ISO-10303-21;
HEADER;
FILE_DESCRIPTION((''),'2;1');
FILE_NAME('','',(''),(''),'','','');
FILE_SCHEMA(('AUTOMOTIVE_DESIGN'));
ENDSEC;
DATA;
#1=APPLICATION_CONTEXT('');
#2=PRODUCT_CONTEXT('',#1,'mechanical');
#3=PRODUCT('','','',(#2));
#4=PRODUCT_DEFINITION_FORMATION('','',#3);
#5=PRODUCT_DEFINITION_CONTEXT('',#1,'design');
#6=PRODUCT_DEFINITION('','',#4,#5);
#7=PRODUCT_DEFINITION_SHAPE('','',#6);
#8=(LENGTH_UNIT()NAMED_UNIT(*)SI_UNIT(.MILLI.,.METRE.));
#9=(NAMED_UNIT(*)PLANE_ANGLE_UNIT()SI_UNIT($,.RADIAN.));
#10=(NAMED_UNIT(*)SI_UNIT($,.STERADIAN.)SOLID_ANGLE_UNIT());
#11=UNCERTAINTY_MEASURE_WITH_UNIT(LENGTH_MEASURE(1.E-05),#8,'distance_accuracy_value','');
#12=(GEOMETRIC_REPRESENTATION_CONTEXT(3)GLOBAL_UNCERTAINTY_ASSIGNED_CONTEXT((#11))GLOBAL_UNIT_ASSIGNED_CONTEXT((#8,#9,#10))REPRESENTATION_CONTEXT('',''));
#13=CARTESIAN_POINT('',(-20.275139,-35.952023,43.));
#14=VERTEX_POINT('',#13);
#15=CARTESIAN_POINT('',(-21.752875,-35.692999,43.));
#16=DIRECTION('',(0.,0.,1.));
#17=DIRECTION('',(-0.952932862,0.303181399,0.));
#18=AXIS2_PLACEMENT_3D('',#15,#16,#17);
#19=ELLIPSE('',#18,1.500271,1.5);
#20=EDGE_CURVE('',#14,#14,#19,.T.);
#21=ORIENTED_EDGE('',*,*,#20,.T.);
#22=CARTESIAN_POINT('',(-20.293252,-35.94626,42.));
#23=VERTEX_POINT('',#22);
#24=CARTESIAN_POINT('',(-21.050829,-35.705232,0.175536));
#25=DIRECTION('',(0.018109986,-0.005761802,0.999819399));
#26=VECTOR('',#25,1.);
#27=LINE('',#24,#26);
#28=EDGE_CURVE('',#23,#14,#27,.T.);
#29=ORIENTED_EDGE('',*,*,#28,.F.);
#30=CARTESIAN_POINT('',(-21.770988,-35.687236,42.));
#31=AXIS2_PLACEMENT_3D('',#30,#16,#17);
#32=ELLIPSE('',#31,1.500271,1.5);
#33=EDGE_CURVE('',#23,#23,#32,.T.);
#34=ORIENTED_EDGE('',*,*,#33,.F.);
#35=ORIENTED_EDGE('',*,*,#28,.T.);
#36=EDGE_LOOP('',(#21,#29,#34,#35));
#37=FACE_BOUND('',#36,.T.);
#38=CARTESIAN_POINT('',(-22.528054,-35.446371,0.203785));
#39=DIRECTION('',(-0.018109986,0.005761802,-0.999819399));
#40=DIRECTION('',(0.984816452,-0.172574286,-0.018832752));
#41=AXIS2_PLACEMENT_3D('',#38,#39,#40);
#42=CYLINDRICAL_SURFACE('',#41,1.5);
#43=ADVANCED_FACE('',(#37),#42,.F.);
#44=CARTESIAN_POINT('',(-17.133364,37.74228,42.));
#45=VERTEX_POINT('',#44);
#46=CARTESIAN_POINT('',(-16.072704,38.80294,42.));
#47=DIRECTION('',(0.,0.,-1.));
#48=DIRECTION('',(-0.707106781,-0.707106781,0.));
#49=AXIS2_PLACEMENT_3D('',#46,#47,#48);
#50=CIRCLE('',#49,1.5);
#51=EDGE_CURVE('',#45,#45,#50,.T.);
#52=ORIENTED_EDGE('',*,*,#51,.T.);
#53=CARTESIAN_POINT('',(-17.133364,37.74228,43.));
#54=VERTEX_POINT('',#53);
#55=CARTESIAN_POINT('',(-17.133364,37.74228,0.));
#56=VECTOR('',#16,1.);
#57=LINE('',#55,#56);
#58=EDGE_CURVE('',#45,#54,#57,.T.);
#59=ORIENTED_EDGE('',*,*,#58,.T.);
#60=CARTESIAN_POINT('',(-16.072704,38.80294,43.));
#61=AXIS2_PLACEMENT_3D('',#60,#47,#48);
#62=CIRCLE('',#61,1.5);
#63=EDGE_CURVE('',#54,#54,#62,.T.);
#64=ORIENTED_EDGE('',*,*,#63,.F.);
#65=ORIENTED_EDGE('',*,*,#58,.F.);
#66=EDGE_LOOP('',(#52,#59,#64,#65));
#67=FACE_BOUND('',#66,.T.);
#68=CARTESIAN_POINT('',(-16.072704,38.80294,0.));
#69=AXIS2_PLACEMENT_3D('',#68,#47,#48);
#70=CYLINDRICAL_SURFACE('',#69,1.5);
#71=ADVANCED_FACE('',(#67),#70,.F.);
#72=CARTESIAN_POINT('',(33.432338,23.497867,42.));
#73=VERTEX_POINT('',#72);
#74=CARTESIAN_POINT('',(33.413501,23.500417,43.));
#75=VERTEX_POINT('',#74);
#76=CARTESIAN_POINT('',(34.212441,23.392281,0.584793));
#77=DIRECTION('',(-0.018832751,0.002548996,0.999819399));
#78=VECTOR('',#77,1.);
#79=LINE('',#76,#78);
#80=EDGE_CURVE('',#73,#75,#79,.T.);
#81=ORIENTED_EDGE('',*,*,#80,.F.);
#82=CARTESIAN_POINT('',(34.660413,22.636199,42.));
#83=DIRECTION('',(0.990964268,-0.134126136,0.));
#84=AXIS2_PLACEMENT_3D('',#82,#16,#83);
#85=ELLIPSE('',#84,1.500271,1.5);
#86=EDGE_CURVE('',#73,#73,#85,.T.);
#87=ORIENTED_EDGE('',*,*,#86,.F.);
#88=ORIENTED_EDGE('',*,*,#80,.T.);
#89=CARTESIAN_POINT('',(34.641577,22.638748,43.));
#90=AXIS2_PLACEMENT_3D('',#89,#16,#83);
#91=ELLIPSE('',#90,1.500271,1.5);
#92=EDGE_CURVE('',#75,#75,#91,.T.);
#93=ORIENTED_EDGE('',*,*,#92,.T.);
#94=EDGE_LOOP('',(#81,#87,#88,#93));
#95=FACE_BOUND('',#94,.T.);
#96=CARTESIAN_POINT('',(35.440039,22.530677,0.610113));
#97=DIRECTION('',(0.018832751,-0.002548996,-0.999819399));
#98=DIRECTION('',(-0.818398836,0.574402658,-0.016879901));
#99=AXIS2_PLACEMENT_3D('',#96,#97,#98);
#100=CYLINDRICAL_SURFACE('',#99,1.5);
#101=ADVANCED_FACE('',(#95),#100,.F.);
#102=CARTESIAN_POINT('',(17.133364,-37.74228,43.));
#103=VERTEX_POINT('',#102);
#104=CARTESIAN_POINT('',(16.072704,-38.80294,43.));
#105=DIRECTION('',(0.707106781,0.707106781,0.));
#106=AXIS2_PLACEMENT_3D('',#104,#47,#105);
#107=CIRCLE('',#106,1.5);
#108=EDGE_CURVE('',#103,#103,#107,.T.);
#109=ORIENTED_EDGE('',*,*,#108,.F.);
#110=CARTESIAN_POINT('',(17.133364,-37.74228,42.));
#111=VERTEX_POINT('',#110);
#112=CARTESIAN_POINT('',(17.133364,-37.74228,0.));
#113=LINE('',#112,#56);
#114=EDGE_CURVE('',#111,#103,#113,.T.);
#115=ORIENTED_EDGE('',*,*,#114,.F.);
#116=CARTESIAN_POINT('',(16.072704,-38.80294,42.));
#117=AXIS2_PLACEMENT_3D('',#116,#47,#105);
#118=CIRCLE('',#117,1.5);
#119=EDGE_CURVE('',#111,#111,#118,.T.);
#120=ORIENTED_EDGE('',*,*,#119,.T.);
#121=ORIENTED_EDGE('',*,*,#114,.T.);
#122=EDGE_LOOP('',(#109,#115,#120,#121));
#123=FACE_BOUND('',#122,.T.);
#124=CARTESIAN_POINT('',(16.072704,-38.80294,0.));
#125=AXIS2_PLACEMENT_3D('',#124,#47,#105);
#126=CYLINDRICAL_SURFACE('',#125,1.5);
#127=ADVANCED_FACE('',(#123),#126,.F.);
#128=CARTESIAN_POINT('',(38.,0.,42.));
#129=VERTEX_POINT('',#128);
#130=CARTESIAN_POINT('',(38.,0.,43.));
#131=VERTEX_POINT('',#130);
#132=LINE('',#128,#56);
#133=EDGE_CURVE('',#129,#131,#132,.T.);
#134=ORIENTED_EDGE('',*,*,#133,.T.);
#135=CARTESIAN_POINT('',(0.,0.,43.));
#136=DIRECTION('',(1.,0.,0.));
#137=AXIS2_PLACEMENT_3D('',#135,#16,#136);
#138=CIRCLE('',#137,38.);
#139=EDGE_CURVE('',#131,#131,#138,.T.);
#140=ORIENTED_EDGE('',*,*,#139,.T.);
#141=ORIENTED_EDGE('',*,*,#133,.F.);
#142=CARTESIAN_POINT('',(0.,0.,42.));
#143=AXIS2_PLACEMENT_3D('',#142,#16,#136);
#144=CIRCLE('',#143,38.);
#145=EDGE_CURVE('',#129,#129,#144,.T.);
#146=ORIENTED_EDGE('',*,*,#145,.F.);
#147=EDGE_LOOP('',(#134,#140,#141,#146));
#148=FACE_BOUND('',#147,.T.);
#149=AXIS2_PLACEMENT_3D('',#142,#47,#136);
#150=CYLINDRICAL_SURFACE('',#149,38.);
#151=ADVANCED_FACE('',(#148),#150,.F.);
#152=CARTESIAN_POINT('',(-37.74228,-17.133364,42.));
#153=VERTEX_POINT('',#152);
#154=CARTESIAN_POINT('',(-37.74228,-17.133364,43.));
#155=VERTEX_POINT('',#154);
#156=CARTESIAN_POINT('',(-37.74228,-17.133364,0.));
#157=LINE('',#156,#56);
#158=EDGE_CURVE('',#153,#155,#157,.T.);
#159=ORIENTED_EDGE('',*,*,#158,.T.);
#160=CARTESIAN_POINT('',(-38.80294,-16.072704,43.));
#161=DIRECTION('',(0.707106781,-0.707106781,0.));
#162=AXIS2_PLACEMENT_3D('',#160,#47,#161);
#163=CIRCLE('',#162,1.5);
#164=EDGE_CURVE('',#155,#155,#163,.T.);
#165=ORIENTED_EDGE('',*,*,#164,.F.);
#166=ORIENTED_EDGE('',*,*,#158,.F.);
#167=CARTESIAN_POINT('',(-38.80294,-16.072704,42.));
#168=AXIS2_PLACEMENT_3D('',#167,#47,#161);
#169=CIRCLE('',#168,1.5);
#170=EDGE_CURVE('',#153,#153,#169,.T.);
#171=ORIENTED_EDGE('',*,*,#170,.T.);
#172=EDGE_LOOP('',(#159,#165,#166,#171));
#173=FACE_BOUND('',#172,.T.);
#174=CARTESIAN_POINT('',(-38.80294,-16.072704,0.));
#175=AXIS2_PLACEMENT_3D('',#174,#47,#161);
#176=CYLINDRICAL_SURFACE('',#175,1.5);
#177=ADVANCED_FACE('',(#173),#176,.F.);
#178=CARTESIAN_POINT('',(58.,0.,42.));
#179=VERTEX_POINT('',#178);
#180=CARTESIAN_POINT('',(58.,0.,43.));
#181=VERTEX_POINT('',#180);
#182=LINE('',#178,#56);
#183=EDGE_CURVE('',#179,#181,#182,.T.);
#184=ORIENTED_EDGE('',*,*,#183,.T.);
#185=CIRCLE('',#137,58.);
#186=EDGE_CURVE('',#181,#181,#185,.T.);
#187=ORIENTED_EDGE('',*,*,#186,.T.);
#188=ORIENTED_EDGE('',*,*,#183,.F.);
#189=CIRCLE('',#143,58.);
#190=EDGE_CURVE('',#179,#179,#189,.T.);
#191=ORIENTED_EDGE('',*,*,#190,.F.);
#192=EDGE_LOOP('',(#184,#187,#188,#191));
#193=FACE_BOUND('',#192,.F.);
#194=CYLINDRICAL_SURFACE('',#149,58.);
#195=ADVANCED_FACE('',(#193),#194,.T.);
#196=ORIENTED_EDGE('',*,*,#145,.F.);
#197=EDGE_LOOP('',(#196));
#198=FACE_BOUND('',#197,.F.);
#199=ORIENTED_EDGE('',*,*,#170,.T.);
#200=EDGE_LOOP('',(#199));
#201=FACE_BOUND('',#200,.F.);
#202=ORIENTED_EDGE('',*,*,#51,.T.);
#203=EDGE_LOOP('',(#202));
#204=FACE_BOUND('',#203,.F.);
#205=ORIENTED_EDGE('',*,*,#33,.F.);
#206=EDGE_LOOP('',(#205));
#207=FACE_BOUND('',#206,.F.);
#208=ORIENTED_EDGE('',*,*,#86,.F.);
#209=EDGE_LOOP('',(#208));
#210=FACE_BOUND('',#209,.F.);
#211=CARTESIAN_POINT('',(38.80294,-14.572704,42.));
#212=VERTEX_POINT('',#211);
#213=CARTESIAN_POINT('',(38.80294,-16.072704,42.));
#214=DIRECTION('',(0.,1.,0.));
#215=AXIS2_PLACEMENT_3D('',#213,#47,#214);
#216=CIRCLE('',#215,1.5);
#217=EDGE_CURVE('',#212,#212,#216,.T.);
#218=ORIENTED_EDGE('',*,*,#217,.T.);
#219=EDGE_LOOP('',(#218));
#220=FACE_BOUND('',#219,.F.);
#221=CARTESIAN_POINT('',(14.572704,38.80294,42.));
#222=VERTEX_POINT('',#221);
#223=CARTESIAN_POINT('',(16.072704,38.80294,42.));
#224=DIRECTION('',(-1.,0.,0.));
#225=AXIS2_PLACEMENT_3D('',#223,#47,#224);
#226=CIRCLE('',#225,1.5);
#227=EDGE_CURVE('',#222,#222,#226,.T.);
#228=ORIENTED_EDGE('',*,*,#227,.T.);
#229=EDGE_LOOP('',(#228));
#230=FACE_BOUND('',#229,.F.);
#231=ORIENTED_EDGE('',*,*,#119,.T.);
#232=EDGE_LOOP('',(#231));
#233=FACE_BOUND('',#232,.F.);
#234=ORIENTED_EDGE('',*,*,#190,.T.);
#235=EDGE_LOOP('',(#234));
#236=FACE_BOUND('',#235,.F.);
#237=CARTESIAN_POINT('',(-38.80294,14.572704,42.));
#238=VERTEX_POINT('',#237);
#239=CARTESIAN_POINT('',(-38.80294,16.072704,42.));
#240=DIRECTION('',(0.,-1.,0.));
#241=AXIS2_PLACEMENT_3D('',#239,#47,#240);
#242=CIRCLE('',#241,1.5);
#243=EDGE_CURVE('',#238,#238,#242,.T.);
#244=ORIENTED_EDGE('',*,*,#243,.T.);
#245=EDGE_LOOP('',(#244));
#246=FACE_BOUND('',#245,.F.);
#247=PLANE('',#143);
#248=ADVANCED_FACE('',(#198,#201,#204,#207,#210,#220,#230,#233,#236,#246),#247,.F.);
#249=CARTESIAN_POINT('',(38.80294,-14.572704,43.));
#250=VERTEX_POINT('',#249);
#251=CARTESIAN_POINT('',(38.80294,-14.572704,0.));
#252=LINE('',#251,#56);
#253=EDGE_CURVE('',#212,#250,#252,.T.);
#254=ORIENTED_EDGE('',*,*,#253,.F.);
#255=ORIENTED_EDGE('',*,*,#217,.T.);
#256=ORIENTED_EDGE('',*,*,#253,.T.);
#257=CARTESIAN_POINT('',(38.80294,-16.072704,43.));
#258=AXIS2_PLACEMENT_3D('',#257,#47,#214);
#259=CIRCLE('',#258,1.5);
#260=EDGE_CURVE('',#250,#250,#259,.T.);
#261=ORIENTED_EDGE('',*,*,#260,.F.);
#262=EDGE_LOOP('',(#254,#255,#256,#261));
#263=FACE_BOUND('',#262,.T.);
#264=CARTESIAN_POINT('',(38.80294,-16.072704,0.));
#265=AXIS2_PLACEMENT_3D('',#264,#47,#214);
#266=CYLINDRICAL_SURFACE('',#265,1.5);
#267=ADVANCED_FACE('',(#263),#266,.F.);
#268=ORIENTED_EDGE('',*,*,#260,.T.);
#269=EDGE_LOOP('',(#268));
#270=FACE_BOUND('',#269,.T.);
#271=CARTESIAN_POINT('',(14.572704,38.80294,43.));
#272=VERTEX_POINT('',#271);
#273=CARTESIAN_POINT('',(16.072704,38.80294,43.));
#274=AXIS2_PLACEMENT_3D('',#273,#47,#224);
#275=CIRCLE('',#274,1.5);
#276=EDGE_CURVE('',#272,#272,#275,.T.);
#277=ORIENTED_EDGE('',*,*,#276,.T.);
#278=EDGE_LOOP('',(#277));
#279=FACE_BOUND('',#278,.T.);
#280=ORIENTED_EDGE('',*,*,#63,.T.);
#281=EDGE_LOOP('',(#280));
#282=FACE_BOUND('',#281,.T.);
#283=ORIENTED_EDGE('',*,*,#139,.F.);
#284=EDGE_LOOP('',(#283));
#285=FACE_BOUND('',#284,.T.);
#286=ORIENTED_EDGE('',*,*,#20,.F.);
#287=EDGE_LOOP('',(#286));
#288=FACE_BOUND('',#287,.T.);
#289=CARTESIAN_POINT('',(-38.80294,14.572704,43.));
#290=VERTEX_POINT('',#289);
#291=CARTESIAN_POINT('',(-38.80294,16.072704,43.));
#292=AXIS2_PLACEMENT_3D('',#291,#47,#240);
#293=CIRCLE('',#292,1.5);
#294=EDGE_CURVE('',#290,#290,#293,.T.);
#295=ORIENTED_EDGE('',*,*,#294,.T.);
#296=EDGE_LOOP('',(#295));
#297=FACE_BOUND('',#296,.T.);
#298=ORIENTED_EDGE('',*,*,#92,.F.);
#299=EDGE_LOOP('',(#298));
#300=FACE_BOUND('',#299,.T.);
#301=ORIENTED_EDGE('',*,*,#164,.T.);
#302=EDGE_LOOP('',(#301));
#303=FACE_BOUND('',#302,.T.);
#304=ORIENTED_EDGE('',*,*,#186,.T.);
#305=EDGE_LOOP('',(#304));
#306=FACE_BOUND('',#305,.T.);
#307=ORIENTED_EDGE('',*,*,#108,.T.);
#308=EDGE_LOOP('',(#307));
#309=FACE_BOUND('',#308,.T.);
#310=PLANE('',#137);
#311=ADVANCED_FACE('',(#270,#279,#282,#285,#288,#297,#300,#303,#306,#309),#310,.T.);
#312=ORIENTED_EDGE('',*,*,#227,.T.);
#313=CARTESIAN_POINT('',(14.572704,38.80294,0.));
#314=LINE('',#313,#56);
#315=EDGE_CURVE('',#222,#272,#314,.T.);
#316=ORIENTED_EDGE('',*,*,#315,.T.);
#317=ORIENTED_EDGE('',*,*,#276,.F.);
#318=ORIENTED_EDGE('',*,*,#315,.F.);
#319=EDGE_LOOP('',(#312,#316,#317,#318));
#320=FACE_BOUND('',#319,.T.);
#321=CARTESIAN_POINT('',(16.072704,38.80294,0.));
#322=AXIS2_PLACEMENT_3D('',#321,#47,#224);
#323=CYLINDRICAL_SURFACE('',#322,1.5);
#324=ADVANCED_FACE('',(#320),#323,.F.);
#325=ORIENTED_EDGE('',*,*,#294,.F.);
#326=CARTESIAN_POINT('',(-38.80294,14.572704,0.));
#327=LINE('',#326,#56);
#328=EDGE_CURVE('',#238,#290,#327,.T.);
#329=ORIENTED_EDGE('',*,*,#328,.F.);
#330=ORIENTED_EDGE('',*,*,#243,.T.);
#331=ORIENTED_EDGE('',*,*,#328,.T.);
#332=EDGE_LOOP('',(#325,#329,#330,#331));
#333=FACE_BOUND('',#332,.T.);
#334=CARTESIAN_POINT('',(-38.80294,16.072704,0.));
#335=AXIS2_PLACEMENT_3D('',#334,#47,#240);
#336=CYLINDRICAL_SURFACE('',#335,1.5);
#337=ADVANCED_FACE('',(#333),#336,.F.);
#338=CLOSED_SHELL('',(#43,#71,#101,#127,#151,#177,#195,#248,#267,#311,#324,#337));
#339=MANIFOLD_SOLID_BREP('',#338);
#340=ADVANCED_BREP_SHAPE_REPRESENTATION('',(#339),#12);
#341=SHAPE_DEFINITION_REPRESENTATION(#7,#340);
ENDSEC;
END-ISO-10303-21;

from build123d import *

# Parameters (mm, degrees)
CYLINDER716_R               = 1.5
CYLINDER716_DEPTH           = 100
CYLINDER720_R               = 1.5
CYLINDER720_DEPTH           = 100
CYLINDER720_ROLL_ANGLE      = -0.500355
CYLINDER720_PITCH_ANGLE     = 0.967193
CYLINDER720_PLACEMENT_ANGLE = 144.93646
CYLINDER715_R               = 1.5
CYLINDER715_DEPTH           = 100
CYLINDER717_R               = 1.5
CYLINDER717_DEPTH           = 100
CYLINDER717_PLACEMENT_ANGLE = 225
CYLINDER721_R               = 1.5
CYLINDER721_DEPTH           = 100
CYLINDER719_R               = 1.5
CYLINDER719_DEPTH           = 100
CYLINDER719_PLACEMENT_ANGLE = 45
CYLINDER714_R               = 1.5
CYLINDER714_DEPTH           = 100
CYLINDER714_ROLL_ANGLE      = 0.146073
CYLINDER714_PITCH_ANGLE     = 1.079101
CYLINDER714_PLACEMENT_ANGLE = -9.939308
CYLINDER718_R               = 1.5
CYLINDER718_DEPTH           = 100
CYLINDER718_PLACEMENT_ANGLE = 45
TUBE078_R                   = 58
TUBE078_R_2                 = 38
TUBE078_DEPTH               = 1


with BuildPart() as v_lec716:
    # Cylinder716 → Cylinder716 (new body)
    with BuildSketch(Plane(origin=(38.80294, -16.072704, 0), x_dir=(0, 1, 0), z_dir=(0, 0, 1))):
        Circle(CYLINDER716_R)
    extrude(amount=CYLINDER716_DEPTH)


with BuildPart() as v_lec720:
    # Cylinder720 → Cylinder720 (new body)
    with BuildSketch(Plane.XY):
        Circle(CYLINDER720_R)
    extrude(amount=CYLINDER720_DEPTH)


with BuildPart() as v_lec720_1:
    # Cylinder720 roll: moved
    add(v_lec720.part.rotate(Axis((0, 0, 0), (1, 0, 0)), CYLINDER720_ROLL_ANGLE))


with BuildPart() as v_lec720_2:
    # Cylinder720 pitch: moved
    add(v_lec720_1.part.rotate(Axis((0, 0, 0), (0, 1, 0)), CYLINDER720_PITCH_ANGLE))


with BuildPart() as v_lec720_3:
    # Cylinder720 placement: moved
    add(v_lec720_2.part.moved(Location((35.440039, 22.530677, 0.610113))).rotate(Axis((35.440039, 22.530677, 0.610113), (0, 0, 1)), CYLINDER720_PLACEMENT_ANGLE))


with BuildPart() as v_lec715:
    # Cylinder715 → Cylinder715 (new body)
    with BuildSketch(Plane(origin=(16.072704, 38.80294, 0), x_dir=(-1, 0, 0), z_dir=(0, 0, 1))):
        Circle(CYLINDER715_R)
    extrude(amount=CYLINDER715_DEPTH)


with BuildPart() as v_lec717:
    # Cylinder717 → Cylinder717 (new body)
    with BuildSketch(Plane.XY):
        Circle(CYLINDER717_R)
    extrude(amount=CYLINDER717_DEPTH)


with BuildPart() as v_lec717_1:
    # Cylinder717 placement: moved
    add(v_lec717.part.moved(Location((-16.072704, 38.80294, 0))).rotate(Axis((-16.072704, 38.80294, 0), (0, 0, 1)), CYLINDER717_PLACEMENT_ANGLE))


with BuildPart() as v_lec721:
    # Cylinder721 → Cylinder721 (new body)
    with BuildSketch(Plane(origin=(-38.80294, 16.072704, 0), x_dir=(0, -1, 0), z_dir=(0, 0, 1))):
        Circle(CYLINDER721_R)
    extrude(amount=CYLINDER721_DEPTH)


with BuildPart() as v_lec719:
    # Cylinder719 → Cylinder719 (new body)
    with BuildSketch(Plane.XY):
        Circle(CYLINDER719_R)
    extrude(amount=CYLINDER719_DEPTH)


with BuildPart() as v_lec719_1:
    # Cylinder719 placement: moved
    add(v_lec719.part.moved(Location((-38.80294, -16.072704, 0))).rotate(Axis((-38.80294, -16.072704, 0), (0, 0, -1)), CYLINDER719_PLACEMENT_ANGLE))


with BuildPart() as v_lec714:
    # Cylinder714 → Cylinder714 (new body)
    with BuildSketch(Plane.XY):
        Circle(CYLINDER714_R)
    extrude(amount=CYLINDER714_DEPTH)


with BuildPart() as v_lec714_1:
    # Cylinder714 roll: moved
    add(v_lec714.part.rotate(Axis((0, 0, 0), (1, 0, 0)), CYLINDER714_ROLL_ANGLE))


with BuildPart() as v_lec714_2:
    # Cylinder714 pitch: moved
    add(v_lec714_1.part.rotate(Axis((0, 0, 0), (0, 1, 0)), CYLINDER714_PITCH_ANGLE))


with BuildPart() as v_lec714_3:
    # Cylinder714 placement: moved
    add(v_lec714_2.part.moved(Location((-22.528054, -35.446371, 0.203785))).rotate(Axis((-22.528054, -35.446371, 0.203785), (0, 0, 1)), CYLINDER714_PLACEMENT_ANGLE))


with BuildPart() as compound701:
    # Cylinder718 → Cylinder718 (new body)
    with BuildSketch(Plane.XY):
        Circle(CYLINDER718_R)
    extrude(amount=CYLINDER718_DEPTH)


with BuildPart() as compound701_1:
    # Cylinder718 placement: moved
    add(compound701.part.moved(Location((16.072704, -38.80294, 0))).rotate(Axis((16.072704, -38.80294, 0), (0, 0, 1)), CYLINDER718_PLACEMENT_ANGLE))

    # Compound701: union Válec716, Válec720, Válec715, Válec717, Válec721, Válec719, Válec714
    add(v_lec716.part)
    add(v_lec720_3.part)
    add(v_lec715.part)
    add(v_lec717_1.part)
    add(v_lec721.part)
    add(v_lec719_1.part)
    add(v_lec714_3.part)


with BuildPart() as bazovina_part_f_washer_old:
    # Tube078 → Tube078 (new body)
    with BuildSketch(Plane.XY.offset(42)):
        Circle(TUBE078_R)
        Circle(TUBE078_R_2, mode=Mode.SUBTRACT)
    extrude(amount=TUBE078_DEPTH)

    # Cut320: cut Compound701
    add(compound701_1.part, mode=Mode.SUBTRACT)


solid = bazovina_part_f_washer_old.part
